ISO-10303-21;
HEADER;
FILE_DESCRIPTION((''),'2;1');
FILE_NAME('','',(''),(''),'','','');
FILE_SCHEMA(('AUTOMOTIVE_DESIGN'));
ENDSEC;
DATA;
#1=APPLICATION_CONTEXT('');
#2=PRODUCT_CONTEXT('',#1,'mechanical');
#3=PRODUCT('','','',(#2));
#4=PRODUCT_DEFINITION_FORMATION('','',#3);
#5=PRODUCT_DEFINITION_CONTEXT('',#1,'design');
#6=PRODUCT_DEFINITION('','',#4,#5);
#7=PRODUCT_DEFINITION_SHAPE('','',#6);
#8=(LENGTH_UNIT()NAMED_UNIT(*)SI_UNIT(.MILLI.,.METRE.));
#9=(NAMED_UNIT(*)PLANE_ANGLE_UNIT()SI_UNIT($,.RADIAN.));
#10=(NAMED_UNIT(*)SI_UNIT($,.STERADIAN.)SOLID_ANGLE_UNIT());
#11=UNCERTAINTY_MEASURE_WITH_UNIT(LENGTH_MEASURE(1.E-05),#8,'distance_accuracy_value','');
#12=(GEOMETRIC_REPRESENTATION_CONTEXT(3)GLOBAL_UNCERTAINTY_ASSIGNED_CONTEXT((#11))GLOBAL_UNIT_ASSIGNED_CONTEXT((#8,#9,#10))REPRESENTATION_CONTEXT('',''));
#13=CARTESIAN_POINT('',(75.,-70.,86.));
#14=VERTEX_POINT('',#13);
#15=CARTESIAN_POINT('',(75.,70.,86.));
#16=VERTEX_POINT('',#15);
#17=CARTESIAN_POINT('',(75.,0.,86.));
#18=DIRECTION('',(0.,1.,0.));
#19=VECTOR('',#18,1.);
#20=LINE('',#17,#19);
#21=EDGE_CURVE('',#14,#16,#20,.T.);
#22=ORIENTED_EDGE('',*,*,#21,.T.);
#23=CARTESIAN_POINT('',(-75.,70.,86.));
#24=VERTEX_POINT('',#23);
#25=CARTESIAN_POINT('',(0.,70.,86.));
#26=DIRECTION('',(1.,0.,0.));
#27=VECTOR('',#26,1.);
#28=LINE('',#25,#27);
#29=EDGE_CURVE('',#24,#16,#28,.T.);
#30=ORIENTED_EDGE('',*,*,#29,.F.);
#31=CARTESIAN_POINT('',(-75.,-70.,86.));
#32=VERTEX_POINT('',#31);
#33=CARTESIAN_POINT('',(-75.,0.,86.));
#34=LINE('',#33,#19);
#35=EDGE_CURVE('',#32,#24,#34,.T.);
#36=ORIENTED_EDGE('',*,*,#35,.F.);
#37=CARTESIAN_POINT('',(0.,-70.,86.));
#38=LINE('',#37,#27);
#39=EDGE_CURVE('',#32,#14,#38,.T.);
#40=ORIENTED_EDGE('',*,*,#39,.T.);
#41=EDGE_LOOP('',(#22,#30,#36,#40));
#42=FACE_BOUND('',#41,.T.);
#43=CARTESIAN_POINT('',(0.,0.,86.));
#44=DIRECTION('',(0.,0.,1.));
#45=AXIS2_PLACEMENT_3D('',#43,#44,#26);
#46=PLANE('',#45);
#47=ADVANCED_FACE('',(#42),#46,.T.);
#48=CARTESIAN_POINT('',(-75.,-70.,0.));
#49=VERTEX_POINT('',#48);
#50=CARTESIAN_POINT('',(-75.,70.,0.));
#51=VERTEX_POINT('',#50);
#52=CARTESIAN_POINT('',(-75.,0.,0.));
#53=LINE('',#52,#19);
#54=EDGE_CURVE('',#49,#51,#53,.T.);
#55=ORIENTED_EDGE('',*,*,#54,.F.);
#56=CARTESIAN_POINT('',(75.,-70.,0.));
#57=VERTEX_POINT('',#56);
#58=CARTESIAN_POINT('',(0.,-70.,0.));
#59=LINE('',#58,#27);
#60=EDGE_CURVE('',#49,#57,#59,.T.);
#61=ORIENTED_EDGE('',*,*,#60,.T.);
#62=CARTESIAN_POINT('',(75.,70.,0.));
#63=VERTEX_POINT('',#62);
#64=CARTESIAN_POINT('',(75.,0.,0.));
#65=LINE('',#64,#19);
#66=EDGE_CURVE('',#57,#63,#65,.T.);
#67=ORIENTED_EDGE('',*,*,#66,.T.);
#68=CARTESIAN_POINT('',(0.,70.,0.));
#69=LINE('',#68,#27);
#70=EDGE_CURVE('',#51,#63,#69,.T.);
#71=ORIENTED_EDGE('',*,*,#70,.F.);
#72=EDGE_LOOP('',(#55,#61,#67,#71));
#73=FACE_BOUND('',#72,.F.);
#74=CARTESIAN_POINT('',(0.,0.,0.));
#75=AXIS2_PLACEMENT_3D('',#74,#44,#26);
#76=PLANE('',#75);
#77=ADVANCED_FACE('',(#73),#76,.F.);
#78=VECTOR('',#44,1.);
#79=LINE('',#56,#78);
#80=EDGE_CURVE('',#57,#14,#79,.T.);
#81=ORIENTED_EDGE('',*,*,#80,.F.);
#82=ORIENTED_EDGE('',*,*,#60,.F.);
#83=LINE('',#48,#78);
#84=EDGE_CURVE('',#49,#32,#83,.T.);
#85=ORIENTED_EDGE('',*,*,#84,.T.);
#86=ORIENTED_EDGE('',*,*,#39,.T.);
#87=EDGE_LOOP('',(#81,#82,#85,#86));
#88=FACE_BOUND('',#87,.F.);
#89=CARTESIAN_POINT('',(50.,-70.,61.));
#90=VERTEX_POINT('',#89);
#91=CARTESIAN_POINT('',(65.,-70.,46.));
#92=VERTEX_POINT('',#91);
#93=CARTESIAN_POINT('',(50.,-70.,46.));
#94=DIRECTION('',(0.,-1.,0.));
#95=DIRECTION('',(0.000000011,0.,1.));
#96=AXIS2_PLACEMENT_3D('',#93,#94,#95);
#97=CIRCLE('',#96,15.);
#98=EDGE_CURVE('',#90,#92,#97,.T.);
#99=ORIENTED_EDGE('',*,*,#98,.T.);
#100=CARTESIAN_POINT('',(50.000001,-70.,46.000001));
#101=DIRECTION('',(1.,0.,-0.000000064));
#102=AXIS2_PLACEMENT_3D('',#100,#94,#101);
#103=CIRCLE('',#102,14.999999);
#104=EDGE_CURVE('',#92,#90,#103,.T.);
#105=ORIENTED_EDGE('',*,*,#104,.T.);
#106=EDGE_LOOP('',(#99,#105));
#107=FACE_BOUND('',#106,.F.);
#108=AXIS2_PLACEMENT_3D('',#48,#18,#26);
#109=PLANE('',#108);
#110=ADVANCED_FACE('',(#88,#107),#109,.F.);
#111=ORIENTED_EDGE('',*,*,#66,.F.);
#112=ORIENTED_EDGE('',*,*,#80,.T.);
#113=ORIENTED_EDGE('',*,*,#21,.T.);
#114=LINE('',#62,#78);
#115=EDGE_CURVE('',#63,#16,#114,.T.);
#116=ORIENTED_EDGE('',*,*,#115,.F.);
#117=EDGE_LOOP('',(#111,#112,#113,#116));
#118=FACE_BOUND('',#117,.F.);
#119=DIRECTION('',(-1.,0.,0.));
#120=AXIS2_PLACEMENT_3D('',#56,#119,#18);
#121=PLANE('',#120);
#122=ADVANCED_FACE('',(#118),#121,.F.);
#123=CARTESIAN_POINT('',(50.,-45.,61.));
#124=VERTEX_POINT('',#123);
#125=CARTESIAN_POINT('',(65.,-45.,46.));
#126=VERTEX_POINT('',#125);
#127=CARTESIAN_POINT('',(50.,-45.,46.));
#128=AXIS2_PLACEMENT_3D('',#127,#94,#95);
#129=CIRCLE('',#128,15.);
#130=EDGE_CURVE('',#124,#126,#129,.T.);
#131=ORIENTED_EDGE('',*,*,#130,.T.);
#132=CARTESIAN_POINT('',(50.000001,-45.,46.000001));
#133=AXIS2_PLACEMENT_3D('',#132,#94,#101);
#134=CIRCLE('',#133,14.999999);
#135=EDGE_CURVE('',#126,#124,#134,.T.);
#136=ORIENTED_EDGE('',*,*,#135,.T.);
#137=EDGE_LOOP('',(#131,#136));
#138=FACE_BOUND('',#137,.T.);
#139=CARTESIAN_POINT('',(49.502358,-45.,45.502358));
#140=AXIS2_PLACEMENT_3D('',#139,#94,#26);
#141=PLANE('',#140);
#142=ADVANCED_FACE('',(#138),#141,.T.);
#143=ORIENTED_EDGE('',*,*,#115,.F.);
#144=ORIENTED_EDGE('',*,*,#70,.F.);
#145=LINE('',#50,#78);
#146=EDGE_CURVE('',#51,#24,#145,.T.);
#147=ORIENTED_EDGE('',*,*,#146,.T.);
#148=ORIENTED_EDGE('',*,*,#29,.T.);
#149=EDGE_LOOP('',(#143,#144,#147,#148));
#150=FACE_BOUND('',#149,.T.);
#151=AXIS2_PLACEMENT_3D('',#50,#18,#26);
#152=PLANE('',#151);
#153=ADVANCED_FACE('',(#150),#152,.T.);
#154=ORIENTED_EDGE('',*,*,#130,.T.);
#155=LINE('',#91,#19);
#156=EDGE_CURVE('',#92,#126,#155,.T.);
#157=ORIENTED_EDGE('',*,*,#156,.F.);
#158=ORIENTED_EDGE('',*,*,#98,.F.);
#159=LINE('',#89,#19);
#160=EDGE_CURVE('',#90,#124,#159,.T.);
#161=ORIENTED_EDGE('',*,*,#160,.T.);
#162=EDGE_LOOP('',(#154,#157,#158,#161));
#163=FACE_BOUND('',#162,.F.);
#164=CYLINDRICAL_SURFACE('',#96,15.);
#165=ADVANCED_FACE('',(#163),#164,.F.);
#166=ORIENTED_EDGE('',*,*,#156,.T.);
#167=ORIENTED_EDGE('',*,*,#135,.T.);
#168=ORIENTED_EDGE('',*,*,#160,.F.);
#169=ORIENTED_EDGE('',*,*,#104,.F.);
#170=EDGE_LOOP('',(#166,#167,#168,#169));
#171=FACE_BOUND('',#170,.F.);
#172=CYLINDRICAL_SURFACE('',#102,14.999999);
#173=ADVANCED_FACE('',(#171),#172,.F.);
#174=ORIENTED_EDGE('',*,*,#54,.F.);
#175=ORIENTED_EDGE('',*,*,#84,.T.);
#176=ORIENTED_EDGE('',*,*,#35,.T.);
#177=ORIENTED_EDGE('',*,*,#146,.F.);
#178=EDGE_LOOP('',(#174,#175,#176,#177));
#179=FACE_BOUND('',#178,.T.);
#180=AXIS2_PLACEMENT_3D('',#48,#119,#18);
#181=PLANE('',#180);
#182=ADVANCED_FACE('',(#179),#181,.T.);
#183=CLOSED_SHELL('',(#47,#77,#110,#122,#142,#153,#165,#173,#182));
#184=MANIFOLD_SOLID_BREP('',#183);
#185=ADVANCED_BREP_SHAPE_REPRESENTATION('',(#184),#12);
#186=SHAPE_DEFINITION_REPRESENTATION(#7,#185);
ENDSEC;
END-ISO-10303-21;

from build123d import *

# Parameters (mm, degrees)
F0_W     = 150
F0_H     = 140
F1_DEPTH = 86
F3_DEPTH = 25


with BuildPart() as f1:
    # F0 (on Top) → F1 (new body)
    with BuildSketch(Plane.XY):
        Rectangle(F0_W, F0_H)
    extrude(amount=F1_DEPTH)

    # F2 (on face) → F3 (cut)
    with BuildSketch(Plane.XZ.offset(70)):
        with BuildLine():
            ThreePointArc((50, 61), (39.393398, 35.393398), (65, 46))
            Line((65, 46), (50, 46))
            Line((50, 46), (50, 61))
        make_face()
        with BuildLine():
            Line((50, 46), (65, 46))
            ThreePointArc((65, 46), (60.606602, 56.606602), (50, 61))
            Line((50, 61), (50, 46))
        make_face()
    extrude(amount=-F3_DEPTH, mode=Mode.SUBTRACT)


solid = f1.part
